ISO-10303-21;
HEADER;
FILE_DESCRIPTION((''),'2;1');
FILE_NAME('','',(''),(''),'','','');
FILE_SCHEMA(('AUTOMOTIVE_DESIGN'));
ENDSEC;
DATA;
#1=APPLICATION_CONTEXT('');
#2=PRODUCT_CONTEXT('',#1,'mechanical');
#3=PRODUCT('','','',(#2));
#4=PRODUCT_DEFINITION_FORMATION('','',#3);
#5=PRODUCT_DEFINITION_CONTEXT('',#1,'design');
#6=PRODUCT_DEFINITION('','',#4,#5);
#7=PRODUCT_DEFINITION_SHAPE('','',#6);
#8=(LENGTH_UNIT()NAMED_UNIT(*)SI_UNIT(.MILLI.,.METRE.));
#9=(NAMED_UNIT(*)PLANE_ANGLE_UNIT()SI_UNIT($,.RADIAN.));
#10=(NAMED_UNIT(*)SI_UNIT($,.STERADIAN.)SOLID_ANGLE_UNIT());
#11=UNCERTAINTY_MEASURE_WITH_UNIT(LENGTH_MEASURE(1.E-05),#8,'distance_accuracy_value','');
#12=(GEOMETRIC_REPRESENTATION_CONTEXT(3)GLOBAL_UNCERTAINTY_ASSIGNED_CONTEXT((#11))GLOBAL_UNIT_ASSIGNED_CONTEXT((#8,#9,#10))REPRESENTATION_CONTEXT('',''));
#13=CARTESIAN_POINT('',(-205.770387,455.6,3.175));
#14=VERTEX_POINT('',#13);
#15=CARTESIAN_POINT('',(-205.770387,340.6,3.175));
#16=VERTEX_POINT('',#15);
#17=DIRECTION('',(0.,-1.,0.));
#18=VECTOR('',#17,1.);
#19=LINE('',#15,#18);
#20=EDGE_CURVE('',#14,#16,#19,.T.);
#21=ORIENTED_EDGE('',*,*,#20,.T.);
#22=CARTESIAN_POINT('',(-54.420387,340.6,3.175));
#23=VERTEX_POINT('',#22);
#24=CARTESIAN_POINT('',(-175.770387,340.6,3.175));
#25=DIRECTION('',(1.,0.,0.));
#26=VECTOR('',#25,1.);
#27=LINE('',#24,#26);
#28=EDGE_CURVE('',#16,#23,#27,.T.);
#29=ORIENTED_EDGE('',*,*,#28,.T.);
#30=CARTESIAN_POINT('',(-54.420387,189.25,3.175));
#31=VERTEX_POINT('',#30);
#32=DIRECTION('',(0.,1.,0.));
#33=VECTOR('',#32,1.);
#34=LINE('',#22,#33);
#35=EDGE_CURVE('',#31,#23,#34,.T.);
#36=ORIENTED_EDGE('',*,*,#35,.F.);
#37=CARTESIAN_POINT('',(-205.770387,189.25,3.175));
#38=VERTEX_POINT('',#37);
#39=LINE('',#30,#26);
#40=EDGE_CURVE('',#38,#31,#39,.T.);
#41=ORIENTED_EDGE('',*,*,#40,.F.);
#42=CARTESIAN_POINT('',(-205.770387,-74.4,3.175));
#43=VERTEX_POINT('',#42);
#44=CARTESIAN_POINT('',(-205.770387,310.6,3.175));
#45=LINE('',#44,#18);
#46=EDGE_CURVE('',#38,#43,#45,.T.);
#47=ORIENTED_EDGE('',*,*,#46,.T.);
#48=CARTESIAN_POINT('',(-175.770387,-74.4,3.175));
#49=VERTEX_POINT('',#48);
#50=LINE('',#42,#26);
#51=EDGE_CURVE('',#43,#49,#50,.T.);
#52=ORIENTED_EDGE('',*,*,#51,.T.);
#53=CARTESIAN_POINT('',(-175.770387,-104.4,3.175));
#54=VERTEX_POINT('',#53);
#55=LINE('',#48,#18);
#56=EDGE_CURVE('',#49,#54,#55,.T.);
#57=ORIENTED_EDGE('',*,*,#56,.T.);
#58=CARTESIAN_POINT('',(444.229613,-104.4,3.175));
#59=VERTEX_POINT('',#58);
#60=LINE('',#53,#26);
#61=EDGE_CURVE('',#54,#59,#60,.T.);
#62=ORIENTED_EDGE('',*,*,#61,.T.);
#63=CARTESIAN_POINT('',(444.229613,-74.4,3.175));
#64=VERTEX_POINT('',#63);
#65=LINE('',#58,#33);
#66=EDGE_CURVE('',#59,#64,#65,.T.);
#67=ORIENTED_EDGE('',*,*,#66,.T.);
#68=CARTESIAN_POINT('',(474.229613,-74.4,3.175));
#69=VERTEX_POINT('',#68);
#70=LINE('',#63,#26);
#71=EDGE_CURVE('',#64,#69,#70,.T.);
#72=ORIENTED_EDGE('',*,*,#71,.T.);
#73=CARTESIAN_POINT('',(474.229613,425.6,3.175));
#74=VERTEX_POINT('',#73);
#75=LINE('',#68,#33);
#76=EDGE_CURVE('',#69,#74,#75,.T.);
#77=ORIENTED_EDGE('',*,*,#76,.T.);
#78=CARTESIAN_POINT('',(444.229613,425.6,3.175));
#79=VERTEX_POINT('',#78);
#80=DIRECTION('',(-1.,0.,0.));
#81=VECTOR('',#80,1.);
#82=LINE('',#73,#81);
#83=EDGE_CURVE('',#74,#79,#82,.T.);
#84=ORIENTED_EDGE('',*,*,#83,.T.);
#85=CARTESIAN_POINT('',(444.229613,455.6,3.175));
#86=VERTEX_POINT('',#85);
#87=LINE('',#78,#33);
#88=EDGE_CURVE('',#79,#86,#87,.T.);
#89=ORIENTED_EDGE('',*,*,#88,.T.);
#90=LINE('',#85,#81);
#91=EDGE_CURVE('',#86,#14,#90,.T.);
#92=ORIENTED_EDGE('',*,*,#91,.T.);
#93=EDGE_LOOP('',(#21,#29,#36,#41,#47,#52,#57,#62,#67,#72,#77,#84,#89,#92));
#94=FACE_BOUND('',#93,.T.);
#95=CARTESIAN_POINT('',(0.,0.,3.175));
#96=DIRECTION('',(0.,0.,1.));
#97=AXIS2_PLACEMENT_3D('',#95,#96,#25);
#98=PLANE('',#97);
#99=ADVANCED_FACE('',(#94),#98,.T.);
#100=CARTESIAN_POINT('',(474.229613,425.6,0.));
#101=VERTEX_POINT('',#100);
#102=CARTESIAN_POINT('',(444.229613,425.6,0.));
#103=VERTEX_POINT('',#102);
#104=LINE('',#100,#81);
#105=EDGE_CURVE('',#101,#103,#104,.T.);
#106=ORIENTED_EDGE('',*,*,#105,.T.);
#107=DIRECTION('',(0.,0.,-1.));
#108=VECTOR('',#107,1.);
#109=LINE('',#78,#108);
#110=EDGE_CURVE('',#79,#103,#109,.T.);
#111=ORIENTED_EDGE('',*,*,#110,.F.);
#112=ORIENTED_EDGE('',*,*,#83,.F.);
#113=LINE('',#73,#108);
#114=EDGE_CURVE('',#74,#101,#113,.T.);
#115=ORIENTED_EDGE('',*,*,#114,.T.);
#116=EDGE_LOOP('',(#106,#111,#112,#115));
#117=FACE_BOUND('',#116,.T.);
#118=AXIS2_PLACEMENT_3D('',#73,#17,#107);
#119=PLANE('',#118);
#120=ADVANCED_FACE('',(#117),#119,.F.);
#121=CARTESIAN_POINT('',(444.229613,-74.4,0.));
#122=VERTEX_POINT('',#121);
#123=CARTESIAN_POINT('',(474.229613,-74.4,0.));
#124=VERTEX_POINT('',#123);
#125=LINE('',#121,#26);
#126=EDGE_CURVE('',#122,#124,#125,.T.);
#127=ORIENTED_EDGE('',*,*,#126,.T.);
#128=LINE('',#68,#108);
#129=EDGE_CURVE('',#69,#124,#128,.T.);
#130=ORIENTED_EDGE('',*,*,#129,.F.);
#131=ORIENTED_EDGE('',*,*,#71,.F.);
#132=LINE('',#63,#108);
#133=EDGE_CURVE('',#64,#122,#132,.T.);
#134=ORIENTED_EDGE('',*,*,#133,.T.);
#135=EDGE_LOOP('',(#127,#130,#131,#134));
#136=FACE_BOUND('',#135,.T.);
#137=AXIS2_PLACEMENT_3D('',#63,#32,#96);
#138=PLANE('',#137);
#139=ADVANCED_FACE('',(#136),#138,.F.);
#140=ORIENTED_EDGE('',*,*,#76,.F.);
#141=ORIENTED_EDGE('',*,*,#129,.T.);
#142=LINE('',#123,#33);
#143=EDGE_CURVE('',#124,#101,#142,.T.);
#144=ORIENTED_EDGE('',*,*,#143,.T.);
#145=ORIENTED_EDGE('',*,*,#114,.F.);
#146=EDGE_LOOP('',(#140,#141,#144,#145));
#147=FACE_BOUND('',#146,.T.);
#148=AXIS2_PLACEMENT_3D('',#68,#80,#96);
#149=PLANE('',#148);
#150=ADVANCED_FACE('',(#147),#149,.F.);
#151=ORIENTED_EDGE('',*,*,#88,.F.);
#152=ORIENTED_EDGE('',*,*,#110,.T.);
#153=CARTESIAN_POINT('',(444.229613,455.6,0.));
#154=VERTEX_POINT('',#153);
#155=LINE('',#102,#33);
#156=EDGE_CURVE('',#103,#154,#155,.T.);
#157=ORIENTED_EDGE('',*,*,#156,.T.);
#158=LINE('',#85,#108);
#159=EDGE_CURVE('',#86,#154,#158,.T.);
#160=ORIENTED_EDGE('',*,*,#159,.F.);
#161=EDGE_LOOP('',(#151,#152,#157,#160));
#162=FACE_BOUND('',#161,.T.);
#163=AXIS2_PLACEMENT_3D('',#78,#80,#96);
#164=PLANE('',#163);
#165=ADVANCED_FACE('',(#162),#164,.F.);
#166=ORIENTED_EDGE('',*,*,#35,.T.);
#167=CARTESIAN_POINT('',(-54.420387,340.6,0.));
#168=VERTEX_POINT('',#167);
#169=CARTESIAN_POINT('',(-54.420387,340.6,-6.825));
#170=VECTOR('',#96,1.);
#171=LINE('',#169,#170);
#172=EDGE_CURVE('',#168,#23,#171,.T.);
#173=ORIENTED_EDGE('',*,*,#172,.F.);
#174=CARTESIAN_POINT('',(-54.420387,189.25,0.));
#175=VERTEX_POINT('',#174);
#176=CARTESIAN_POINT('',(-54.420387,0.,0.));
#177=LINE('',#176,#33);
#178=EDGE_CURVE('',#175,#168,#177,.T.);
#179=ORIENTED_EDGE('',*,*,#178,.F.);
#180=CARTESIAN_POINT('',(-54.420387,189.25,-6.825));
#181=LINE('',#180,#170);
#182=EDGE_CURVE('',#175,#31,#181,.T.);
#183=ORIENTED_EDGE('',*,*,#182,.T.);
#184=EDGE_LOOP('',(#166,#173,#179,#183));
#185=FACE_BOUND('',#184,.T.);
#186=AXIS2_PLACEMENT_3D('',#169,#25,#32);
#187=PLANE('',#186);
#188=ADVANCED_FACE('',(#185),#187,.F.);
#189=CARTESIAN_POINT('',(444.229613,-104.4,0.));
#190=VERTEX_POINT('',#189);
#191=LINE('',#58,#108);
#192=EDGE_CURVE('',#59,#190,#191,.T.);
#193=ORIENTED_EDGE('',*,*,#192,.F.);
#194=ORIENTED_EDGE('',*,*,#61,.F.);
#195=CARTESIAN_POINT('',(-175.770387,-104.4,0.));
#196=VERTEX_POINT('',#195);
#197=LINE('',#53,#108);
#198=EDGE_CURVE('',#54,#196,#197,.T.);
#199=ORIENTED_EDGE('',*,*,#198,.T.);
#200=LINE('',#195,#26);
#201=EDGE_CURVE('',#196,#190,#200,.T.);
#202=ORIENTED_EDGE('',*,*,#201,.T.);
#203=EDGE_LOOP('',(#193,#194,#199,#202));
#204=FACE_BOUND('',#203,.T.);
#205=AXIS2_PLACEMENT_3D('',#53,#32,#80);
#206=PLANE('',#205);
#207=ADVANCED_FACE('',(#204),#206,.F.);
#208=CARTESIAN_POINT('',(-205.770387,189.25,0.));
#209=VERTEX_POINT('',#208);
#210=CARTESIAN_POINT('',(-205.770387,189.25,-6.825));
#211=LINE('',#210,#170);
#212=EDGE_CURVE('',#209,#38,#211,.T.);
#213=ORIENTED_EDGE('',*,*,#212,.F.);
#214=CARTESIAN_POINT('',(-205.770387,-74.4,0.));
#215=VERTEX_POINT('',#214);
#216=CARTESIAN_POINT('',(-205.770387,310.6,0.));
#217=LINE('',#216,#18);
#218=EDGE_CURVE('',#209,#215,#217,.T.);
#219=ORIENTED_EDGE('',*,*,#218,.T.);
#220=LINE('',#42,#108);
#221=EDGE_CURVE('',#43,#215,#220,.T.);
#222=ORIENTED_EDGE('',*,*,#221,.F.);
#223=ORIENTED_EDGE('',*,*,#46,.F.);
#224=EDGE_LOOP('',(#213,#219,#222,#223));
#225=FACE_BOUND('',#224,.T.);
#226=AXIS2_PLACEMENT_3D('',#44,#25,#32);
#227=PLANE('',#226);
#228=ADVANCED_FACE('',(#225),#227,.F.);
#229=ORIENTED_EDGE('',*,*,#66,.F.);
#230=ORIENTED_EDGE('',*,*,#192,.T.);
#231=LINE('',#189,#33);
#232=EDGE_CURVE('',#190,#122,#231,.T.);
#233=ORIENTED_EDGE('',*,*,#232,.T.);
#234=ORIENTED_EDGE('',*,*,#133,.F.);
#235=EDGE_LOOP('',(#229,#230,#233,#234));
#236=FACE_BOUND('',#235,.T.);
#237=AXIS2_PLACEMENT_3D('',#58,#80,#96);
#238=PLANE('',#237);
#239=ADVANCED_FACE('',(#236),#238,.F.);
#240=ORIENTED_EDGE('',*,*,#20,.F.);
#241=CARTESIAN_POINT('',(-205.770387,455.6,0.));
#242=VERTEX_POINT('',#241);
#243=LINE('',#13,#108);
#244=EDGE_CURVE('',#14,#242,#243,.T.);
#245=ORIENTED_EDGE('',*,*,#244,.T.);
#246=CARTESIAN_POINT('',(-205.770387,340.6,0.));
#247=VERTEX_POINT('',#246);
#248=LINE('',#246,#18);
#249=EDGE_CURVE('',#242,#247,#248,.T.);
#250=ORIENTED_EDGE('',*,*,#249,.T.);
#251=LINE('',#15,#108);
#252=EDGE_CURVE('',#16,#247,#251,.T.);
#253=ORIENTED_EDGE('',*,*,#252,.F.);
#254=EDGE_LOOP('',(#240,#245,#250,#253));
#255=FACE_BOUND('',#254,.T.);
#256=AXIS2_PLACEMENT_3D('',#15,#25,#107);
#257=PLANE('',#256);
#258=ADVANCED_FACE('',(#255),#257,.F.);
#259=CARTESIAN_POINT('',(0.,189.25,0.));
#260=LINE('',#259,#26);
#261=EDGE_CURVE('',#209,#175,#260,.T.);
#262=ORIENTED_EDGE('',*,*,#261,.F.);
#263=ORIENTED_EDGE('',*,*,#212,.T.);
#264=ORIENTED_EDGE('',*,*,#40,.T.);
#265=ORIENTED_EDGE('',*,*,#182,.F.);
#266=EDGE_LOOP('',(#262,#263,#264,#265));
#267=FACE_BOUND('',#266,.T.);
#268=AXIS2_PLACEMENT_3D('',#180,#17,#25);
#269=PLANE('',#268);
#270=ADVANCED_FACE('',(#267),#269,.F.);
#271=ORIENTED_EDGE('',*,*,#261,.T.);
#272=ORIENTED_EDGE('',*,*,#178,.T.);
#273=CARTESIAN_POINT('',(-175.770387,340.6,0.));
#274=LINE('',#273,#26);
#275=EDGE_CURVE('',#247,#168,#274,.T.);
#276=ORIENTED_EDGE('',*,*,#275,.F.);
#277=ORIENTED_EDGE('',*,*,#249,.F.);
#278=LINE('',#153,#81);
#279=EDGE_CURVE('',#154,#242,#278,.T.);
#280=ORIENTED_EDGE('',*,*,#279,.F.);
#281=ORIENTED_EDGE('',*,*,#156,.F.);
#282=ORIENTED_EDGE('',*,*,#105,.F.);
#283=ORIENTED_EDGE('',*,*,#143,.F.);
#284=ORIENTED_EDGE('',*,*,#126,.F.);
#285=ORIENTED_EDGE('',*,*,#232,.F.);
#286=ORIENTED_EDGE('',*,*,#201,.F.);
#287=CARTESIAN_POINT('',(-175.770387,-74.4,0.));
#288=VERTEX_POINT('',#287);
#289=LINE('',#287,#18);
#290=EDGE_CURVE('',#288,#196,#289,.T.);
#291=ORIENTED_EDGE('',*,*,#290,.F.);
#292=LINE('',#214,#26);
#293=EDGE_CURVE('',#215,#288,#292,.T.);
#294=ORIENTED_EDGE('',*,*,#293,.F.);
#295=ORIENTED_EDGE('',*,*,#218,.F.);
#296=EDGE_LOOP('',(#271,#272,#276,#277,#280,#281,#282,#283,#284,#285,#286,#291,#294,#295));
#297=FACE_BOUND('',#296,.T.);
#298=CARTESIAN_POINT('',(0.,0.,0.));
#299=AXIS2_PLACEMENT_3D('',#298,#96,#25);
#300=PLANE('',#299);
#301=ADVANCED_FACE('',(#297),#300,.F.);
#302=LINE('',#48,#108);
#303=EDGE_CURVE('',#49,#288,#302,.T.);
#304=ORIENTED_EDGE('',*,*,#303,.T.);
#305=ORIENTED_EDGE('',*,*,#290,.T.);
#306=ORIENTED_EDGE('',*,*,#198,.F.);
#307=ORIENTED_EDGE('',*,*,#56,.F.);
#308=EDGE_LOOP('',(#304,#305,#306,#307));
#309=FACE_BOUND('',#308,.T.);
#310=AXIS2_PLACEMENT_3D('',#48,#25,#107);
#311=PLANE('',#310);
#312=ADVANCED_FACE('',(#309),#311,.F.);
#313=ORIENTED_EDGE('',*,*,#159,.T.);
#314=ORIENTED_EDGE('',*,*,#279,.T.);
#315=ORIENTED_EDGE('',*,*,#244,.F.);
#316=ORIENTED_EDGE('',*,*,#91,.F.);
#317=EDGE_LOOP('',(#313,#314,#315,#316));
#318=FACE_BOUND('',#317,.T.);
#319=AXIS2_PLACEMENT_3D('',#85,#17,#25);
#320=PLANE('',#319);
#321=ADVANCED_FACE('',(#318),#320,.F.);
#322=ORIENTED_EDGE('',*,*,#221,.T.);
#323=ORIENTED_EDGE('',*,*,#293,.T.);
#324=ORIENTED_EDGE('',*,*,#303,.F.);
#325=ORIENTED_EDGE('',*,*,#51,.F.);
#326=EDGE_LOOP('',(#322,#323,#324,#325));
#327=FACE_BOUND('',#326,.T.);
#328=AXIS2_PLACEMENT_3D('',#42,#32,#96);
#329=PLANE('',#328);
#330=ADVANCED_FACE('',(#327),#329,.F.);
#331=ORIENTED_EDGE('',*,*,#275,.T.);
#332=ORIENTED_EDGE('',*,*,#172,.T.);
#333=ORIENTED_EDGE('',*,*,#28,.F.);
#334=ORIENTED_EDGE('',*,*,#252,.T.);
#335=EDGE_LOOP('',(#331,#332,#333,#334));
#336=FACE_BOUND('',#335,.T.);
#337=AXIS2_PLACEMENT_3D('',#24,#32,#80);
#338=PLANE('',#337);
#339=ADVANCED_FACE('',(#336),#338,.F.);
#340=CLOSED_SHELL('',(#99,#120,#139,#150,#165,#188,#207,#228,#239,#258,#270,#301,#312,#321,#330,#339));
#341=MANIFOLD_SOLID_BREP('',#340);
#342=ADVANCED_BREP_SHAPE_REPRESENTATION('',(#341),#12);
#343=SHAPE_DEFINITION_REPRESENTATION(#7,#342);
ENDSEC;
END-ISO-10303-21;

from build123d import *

# Parameters (mm, degrees)
SALIENTE_EXTRUIR1_DEPTH = 3.175
CORTAR_EXTRUIR1_DEPTH   = 10


with BuildPart() as part:
    # Croquis1 → Saliente-Extruir1 (new body)
    with BuildSketch(Plane.XY):
        Polygon((-205.770387244, 310.6), (-205.770387244, -74.4), (-175.770387244, -74.4), (-175.770387244, -104.4), (444.229612756, -104.4), (444.229612756, -74.4), (474.229612756, -74.4), (474.229612756, 425.6), (444.229612756, 425.6), (444.229612756, 455.6), (-205.770387244, 455.6), (-205.770387244, 340.6), (-175.770387244, 340.6), (-175.770387244, 310.6), align=None)
    extrude(amount=SALIENTE_EXTRUIR1_DEPTH)

    # Croquis2 → Cortar-Extruir1 (cut)
    with BuildSketch(Plane.XY.offset(3.175)):
        Polygon((-205.770387244, 310.6), (-175.770387244, 310.6), (-175.770387244, 340.6), (-54.420387244, 340.6), (-54.420387244, 189.25), (-205.770387244, 189.25), align=None)
    extrude(amount=-CORTAR_EXTRUIR1_DEPTH, mode=Mode.SUBTRACT)


solid = part.part
